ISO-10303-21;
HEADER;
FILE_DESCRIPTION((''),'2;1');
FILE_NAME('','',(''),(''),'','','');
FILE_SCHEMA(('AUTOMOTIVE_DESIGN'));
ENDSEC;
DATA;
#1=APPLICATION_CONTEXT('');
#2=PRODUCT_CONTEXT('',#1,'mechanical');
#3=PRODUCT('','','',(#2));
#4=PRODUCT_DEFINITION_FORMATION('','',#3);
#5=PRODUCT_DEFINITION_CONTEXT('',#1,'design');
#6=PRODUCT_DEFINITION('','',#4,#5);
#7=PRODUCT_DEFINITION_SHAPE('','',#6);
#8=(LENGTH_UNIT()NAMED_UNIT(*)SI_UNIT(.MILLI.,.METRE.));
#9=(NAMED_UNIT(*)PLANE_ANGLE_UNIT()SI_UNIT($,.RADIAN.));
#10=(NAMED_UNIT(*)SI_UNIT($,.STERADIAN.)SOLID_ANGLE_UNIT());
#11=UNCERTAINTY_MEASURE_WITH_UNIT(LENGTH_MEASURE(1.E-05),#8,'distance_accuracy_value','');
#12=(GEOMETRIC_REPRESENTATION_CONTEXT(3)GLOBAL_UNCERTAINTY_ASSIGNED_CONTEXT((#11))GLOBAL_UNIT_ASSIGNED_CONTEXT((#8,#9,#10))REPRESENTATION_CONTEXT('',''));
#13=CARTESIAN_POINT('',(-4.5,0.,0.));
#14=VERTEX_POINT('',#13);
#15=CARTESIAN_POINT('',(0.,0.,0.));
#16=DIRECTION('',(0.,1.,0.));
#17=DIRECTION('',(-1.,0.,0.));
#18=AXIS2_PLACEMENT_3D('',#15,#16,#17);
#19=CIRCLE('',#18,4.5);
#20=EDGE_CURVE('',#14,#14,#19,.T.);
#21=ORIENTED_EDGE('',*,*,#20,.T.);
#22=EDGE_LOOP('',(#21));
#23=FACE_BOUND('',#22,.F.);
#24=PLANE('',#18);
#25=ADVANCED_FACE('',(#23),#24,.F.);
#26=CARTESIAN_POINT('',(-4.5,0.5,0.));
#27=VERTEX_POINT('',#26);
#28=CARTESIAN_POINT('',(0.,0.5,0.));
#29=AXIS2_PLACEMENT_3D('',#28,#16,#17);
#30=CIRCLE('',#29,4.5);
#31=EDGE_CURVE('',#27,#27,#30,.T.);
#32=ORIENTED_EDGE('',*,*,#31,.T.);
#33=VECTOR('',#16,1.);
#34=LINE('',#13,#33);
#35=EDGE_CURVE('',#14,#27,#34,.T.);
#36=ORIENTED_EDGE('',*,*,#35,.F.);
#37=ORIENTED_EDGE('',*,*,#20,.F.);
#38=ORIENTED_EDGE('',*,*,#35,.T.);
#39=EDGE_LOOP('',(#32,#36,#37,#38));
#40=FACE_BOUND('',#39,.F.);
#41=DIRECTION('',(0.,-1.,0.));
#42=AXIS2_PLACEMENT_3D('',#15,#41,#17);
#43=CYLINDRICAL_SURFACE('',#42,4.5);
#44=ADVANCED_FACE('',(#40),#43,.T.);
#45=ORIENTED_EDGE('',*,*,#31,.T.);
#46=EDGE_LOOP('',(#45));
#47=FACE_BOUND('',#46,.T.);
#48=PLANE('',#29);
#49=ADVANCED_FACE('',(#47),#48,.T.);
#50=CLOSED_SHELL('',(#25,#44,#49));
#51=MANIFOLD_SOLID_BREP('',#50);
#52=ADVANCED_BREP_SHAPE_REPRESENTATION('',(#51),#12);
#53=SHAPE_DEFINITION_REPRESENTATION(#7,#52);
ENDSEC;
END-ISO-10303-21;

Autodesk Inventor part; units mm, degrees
ref_plane "YZ Plane" through (0, 0, 0) normal (1, 0, 0) x (0, 1, 0)
ref_plane "XZ Plane" through (0, 0, 0) normal (0, 1, 0) x (-1, 0, 0)
ref_plane "XY Plane" through (0, 0, 0) normal (0, 0, 1) x (1, 0, 0)
sketch "スケッチ1" plane through (0, 0, 0) normal (0, 1, 0) x (-1, 0, 0)
  circle A0 centre (0, 0) radius 4.5
  dimension "d0" = 9
extrude "押し出し1" add sketch "スケッチ1" along normal blind 0.5
